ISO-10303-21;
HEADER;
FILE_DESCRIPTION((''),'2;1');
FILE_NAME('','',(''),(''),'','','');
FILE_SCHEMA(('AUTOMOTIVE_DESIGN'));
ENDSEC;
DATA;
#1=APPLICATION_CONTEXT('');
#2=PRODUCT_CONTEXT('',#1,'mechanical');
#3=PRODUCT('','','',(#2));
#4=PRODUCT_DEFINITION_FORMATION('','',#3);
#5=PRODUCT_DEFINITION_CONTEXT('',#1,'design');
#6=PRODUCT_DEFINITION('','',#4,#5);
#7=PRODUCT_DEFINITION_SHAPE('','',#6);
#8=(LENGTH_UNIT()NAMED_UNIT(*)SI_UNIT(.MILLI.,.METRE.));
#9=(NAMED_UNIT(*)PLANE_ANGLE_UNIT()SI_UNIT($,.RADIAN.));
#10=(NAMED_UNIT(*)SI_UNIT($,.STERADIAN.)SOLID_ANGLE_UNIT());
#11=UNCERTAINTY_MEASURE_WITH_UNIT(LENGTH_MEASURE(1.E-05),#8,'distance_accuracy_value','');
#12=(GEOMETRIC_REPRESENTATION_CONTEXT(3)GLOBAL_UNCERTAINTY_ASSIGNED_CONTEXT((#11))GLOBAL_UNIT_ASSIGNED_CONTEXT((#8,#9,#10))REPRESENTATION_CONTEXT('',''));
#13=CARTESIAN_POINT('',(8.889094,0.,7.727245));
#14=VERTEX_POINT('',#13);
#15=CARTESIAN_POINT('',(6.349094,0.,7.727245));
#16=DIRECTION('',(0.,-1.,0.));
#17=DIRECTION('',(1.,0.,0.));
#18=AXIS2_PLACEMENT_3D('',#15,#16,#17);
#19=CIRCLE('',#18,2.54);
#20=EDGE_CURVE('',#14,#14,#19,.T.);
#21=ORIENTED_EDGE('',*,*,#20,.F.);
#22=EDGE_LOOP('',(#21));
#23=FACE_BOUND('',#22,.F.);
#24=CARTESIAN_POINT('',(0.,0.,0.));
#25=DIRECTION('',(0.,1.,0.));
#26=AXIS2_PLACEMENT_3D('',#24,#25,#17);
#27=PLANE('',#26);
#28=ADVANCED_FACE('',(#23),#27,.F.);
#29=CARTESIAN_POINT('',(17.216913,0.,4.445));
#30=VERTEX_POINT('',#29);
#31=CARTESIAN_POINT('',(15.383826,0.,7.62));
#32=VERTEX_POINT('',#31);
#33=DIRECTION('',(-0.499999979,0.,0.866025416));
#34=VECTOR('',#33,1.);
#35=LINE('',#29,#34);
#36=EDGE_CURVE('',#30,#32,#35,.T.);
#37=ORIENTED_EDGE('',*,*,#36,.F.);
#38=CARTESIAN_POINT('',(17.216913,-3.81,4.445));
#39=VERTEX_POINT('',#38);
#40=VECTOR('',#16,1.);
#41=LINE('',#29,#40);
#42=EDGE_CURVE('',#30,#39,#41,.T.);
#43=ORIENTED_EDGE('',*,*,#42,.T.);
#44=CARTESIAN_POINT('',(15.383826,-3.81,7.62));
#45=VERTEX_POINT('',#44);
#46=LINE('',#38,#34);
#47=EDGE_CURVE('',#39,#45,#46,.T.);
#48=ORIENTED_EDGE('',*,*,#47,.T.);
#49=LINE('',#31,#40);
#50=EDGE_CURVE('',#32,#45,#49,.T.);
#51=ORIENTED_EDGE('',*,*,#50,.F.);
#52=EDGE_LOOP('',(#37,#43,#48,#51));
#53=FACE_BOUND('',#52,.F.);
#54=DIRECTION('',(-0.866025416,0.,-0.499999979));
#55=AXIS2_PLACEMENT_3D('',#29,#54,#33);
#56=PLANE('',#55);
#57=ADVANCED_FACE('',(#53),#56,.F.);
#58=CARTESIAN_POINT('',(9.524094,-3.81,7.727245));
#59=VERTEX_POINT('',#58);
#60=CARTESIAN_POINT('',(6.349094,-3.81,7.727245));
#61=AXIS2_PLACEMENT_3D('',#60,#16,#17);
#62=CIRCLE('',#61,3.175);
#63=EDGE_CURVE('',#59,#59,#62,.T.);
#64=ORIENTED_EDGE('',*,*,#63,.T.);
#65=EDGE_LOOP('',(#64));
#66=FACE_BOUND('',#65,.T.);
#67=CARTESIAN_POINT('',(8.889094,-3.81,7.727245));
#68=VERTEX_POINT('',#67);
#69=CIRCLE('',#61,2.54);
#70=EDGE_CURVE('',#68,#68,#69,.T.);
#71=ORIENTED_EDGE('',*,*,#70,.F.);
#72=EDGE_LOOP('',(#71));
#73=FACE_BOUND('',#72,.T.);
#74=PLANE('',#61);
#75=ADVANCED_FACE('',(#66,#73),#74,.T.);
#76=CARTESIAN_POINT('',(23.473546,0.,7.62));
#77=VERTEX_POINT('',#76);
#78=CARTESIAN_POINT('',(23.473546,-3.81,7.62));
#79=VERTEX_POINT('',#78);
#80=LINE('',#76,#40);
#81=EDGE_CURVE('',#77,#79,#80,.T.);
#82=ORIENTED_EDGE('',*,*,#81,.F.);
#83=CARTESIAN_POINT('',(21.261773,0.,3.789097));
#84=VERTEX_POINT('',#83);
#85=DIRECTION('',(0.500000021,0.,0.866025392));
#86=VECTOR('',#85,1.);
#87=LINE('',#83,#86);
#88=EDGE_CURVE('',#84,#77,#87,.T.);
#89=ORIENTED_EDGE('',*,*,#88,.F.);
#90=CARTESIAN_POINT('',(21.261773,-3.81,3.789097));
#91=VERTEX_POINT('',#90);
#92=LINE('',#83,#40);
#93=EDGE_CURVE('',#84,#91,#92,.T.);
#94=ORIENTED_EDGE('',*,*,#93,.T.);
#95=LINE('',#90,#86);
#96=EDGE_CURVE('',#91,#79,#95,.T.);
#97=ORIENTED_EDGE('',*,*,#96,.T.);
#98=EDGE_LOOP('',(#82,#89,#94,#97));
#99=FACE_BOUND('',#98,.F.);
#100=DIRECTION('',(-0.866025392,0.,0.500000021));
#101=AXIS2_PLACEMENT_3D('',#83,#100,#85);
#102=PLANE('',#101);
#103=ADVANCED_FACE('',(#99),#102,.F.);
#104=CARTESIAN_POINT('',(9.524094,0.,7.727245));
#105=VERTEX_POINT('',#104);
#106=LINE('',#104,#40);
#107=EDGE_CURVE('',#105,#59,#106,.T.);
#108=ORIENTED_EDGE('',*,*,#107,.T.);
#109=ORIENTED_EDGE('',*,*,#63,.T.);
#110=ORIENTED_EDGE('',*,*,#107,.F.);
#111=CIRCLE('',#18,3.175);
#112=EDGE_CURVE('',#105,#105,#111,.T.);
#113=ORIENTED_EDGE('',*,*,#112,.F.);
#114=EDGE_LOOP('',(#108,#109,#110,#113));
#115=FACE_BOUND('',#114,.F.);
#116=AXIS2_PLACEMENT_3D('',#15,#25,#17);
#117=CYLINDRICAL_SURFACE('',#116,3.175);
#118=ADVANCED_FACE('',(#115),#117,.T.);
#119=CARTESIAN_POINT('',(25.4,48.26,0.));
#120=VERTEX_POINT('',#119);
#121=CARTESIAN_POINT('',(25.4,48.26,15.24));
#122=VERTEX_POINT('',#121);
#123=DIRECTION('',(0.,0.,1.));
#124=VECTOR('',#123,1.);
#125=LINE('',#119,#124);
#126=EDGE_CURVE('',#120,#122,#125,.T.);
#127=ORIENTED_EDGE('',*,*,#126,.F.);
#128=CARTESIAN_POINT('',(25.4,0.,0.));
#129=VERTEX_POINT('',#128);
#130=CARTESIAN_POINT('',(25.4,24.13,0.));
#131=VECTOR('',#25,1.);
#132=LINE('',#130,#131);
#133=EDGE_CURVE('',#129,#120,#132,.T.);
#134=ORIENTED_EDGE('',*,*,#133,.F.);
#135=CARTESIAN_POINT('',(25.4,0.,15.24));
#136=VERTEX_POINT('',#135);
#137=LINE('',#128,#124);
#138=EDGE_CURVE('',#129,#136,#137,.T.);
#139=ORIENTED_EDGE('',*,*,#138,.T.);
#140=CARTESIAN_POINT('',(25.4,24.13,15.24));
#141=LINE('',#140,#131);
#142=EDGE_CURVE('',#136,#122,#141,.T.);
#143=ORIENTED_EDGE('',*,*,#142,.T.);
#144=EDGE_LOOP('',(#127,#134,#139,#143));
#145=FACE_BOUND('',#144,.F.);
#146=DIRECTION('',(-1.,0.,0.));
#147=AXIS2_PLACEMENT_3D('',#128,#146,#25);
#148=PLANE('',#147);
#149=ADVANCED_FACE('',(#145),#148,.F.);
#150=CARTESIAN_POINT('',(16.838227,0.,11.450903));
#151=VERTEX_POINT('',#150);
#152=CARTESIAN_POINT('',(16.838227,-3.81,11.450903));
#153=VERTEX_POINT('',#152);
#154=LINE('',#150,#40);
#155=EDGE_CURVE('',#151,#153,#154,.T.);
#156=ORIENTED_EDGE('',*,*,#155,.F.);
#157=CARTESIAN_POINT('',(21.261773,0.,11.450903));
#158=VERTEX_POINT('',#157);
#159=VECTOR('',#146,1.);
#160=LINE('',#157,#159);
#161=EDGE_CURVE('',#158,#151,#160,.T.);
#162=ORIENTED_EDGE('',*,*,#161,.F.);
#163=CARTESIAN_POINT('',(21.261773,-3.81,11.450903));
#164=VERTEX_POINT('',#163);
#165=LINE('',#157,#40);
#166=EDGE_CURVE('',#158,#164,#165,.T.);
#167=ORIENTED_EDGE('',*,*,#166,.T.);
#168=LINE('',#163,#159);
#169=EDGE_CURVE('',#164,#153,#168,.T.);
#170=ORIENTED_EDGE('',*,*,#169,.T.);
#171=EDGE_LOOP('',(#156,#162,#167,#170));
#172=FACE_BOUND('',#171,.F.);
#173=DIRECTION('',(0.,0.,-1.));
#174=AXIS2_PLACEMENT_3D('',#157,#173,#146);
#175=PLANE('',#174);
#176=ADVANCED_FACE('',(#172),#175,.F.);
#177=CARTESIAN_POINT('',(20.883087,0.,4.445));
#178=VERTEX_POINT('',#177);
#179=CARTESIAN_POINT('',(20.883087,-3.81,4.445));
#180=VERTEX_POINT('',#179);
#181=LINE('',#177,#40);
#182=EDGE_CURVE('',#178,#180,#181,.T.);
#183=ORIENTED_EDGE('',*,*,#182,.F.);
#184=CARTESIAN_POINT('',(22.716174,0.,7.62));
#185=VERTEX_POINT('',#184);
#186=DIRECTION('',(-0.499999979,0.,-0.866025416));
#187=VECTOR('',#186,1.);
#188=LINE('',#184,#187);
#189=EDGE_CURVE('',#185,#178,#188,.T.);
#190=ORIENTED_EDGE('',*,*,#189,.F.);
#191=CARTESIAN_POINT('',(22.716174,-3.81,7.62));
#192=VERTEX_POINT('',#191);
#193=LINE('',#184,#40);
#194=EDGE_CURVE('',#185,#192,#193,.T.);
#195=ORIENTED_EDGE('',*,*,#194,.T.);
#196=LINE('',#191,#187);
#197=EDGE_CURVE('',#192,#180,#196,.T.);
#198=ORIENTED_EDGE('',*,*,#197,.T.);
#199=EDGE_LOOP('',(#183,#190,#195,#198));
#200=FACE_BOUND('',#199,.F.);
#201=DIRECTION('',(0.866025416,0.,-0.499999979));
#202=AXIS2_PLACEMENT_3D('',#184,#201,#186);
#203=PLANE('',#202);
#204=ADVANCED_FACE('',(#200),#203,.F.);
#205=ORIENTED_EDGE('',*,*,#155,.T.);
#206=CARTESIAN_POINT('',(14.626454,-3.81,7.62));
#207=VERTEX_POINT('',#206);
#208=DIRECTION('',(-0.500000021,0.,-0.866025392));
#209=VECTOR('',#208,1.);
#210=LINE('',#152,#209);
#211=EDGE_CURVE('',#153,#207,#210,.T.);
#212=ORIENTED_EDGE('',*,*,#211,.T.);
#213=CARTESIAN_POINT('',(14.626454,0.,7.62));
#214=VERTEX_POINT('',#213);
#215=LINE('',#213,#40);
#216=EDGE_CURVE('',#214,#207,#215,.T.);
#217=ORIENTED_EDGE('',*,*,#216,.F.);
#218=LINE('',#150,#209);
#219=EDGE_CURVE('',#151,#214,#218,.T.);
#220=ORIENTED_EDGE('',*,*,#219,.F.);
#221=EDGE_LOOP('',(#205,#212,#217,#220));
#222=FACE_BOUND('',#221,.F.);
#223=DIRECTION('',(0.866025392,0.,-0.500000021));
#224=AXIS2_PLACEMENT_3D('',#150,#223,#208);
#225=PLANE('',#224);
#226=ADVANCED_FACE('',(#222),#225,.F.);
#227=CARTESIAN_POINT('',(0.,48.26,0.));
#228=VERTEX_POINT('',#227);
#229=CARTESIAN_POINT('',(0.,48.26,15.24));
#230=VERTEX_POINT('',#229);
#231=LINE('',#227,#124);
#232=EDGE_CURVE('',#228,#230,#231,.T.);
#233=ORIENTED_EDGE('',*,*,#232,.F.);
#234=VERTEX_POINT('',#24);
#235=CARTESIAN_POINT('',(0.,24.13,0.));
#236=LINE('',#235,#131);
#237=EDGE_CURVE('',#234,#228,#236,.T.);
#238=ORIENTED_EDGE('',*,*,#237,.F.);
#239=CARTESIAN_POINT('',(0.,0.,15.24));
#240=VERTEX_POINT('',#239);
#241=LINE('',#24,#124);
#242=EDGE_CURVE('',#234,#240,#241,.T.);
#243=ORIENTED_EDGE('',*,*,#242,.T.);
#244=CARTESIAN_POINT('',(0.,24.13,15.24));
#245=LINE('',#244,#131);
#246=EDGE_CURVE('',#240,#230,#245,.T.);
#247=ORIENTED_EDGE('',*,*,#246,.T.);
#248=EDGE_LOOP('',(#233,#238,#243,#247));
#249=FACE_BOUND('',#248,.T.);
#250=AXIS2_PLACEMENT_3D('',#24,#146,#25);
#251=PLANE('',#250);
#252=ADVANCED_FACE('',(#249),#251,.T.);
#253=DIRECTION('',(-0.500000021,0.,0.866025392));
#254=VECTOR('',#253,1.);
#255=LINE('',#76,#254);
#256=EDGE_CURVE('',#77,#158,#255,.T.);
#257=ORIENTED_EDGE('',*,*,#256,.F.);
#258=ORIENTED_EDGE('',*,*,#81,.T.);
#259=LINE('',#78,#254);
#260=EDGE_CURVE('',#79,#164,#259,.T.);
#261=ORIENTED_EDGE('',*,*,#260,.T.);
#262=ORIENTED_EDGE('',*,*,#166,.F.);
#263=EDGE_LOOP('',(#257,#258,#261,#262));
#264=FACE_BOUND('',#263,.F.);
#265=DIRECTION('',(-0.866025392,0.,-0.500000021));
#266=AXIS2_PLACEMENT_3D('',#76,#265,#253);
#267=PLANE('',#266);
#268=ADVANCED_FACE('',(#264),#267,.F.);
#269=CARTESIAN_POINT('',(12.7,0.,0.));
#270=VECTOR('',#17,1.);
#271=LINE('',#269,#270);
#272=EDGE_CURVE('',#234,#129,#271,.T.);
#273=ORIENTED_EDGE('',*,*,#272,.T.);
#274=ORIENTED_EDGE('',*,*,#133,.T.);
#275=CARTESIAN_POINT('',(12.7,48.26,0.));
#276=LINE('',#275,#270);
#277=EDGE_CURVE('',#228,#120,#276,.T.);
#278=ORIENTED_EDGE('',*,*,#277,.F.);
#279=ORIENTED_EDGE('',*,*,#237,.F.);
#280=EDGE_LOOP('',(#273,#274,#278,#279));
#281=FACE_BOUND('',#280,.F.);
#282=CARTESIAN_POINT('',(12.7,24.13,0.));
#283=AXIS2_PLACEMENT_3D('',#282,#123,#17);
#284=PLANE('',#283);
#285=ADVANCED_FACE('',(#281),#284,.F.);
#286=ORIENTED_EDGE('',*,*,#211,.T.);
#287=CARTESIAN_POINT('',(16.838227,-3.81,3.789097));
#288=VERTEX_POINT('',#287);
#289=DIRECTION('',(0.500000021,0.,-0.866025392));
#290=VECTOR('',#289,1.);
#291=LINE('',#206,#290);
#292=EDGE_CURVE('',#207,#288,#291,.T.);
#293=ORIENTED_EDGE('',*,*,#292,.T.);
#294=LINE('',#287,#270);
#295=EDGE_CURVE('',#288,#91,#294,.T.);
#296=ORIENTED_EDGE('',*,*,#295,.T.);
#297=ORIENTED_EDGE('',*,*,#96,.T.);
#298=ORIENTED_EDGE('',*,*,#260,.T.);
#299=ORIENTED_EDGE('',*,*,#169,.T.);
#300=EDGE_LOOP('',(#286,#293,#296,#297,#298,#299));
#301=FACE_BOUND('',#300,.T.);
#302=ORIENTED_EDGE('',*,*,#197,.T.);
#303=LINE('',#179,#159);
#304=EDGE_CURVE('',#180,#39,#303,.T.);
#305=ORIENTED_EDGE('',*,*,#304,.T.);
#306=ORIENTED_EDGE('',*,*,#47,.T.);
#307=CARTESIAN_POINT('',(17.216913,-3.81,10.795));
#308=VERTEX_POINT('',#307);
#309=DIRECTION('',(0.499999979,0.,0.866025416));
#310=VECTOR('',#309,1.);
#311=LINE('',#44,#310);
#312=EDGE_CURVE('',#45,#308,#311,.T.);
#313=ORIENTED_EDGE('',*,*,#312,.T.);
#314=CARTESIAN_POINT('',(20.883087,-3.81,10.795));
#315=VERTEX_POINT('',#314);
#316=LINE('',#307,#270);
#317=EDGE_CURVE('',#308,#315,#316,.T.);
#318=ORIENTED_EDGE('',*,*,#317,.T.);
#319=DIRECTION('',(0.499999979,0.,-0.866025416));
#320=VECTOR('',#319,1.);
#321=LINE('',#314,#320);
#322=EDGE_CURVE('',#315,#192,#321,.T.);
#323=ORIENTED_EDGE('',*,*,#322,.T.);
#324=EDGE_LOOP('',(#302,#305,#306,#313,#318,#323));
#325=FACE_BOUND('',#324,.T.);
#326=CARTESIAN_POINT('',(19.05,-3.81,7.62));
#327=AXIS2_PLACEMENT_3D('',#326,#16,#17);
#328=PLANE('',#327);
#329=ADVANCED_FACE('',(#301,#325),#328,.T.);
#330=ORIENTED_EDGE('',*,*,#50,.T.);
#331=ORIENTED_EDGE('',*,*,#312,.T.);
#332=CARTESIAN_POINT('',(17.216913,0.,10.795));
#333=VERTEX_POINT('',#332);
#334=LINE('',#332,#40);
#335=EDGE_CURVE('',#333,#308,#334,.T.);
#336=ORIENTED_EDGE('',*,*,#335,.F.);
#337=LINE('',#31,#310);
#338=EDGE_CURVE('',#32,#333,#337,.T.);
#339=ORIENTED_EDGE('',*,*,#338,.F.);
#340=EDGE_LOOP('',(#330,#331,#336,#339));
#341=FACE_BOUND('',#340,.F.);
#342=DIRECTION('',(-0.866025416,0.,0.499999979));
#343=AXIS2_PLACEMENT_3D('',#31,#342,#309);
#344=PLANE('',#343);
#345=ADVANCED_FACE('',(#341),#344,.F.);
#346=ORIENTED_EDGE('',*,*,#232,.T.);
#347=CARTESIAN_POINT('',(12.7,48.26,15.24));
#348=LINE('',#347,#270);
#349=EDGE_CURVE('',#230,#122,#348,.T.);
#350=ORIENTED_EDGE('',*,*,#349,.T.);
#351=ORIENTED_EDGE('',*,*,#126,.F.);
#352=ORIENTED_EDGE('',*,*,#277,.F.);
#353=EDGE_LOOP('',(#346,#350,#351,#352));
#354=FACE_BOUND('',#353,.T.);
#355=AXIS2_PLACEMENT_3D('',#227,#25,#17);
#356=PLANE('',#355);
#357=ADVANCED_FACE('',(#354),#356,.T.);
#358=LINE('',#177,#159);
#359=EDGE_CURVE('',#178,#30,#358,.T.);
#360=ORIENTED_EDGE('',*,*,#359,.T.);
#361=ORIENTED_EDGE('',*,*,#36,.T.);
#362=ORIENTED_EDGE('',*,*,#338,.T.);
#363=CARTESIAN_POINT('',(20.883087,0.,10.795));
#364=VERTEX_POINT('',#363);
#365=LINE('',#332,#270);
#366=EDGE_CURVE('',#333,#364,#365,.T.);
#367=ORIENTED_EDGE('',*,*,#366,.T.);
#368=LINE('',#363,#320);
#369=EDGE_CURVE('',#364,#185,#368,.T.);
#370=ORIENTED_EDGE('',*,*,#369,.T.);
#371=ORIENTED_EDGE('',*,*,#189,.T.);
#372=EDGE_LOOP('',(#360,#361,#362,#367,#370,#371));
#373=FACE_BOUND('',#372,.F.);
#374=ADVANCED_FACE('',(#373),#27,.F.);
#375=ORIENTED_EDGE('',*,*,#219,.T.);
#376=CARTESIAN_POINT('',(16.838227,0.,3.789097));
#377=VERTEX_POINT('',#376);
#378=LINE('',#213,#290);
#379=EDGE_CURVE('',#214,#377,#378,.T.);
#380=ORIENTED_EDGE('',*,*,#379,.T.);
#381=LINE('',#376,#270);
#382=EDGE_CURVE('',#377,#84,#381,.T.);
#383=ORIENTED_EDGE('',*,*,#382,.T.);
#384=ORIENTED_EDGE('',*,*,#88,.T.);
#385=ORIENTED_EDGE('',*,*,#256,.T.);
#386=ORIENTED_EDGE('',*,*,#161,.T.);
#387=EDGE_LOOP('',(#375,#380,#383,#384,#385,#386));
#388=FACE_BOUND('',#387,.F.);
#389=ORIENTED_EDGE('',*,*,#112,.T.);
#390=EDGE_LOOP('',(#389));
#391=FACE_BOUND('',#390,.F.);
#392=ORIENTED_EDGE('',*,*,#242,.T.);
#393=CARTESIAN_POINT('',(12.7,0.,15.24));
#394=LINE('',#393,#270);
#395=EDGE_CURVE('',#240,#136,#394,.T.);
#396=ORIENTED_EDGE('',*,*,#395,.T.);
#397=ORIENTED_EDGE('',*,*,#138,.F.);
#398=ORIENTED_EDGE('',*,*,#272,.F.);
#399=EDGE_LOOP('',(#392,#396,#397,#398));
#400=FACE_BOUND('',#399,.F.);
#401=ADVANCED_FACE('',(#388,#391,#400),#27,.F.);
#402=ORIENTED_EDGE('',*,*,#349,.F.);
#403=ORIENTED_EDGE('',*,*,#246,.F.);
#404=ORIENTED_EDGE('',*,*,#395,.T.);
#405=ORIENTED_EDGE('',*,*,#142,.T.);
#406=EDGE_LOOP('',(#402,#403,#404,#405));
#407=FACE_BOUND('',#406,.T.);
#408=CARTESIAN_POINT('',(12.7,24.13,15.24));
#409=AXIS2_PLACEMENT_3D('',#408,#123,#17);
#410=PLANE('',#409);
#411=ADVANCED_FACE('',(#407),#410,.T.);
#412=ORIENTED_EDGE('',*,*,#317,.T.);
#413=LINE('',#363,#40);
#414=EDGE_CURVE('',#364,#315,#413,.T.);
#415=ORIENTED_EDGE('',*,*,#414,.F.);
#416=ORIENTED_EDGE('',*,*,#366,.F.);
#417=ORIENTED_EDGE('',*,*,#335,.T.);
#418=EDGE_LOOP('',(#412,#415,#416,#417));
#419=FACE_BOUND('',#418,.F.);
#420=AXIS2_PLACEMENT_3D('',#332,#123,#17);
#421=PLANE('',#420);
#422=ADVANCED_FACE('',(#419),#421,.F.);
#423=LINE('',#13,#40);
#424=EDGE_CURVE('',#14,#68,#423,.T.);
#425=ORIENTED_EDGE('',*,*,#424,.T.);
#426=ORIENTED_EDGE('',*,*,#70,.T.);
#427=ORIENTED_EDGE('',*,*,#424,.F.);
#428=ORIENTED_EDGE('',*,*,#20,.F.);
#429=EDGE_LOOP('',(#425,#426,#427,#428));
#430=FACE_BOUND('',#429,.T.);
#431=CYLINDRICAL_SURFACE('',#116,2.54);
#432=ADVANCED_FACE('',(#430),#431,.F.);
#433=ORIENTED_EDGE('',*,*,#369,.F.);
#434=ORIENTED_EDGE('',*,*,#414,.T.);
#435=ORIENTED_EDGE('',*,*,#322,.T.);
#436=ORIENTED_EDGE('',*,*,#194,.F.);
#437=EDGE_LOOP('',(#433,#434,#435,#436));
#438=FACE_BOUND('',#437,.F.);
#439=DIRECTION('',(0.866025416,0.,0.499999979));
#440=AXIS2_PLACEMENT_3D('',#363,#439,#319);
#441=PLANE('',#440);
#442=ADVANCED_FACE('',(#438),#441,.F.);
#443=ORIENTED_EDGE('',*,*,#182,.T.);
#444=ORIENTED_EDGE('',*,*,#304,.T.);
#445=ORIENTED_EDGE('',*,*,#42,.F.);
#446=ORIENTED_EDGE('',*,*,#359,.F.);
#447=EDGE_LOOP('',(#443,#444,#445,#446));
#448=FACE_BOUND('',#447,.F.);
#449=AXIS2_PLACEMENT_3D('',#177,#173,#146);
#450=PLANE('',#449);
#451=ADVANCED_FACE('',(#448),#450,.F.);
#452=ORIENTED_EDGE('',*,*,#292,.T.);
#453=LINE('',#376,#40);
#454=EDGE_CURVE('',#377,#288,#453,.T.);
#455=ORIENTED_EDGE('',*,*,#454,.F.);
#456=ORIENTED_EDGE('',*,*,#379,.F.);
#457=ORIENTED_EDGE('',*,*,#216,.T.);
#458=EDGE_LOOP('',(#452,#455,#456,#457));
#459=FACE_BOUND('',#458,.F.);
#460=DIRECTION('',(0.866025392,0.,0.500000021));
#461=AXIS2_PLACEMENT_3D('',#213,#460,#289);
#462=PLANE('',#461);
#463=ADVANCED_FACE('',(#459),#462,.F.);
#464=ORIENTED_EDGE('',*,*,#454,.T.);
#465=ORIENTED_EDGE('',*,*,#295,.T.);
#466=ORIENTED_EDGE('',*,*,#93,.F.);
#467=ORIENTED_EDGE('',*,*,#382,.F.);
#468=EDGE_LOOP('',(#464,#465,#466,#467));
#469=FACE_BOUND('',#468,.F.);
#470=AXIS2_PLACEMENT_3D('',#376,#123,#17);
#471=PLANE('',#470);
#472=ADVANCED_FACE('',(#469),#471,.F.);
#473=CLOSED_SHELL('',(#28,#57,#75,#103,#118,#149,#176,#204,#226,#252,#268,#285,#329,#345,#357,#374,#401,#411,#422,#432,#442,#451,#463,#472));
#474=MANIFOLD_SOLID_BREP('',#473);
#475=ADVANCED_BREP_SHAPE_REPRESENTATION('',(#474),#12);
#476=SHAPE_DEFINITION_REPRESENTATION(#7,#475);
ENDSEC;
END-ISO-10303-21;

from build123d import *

# Parameters (mm, degrees)
F0_W     = 25.4
F0_H     = 48.26
F1_DEPTH = 15.24
F2_R     = 3.175
F2_R_2   = 2.54
F3_DEPTH = 3.81
F5_DEPTH = 3.81


with BuildPart() as f1:
    # F0 (on Top) → F1 (new body)
    with BuildSketch(Plane.XY):
        with Locations((12.7, 24.13)):
            Rectangle(F0_W, F0_H)
    extrude(amount=F1_DEPTH)

    # F2 (on face) → F3 (join)
    with BuildSketch(Plane.XZ):
        with Locations((6.349094, 7.727245)):
            Circle(F2_R)
        with Locations((6.349094, 7.727245)):
            Circle(F2_R_2, mode=Mode.SUBTRACT)
    extrude(amount=F3_DEPTH)

    # F4 (on face) → F5 (join)
    with BuildSketch(Plane.XZ):
        Polygon((23.473546, 7.62), (21.261773, 11.450903), (16.838227, 11.450903), (14.626454, 7.62), (16.838227, 3.789097), (21.261773, 3.789097), align=None)
        Polygon((22.716174, 7.62), (20.883087, 4.445), (17.216913, 4.445), (15.383826, 7.62), (17.216913, 10.795), (20.883087, 10.795), align=None, mode=Mode.SUBTRACT)
    extrude(amount=F5_DEPTH)


solid = f1.part
